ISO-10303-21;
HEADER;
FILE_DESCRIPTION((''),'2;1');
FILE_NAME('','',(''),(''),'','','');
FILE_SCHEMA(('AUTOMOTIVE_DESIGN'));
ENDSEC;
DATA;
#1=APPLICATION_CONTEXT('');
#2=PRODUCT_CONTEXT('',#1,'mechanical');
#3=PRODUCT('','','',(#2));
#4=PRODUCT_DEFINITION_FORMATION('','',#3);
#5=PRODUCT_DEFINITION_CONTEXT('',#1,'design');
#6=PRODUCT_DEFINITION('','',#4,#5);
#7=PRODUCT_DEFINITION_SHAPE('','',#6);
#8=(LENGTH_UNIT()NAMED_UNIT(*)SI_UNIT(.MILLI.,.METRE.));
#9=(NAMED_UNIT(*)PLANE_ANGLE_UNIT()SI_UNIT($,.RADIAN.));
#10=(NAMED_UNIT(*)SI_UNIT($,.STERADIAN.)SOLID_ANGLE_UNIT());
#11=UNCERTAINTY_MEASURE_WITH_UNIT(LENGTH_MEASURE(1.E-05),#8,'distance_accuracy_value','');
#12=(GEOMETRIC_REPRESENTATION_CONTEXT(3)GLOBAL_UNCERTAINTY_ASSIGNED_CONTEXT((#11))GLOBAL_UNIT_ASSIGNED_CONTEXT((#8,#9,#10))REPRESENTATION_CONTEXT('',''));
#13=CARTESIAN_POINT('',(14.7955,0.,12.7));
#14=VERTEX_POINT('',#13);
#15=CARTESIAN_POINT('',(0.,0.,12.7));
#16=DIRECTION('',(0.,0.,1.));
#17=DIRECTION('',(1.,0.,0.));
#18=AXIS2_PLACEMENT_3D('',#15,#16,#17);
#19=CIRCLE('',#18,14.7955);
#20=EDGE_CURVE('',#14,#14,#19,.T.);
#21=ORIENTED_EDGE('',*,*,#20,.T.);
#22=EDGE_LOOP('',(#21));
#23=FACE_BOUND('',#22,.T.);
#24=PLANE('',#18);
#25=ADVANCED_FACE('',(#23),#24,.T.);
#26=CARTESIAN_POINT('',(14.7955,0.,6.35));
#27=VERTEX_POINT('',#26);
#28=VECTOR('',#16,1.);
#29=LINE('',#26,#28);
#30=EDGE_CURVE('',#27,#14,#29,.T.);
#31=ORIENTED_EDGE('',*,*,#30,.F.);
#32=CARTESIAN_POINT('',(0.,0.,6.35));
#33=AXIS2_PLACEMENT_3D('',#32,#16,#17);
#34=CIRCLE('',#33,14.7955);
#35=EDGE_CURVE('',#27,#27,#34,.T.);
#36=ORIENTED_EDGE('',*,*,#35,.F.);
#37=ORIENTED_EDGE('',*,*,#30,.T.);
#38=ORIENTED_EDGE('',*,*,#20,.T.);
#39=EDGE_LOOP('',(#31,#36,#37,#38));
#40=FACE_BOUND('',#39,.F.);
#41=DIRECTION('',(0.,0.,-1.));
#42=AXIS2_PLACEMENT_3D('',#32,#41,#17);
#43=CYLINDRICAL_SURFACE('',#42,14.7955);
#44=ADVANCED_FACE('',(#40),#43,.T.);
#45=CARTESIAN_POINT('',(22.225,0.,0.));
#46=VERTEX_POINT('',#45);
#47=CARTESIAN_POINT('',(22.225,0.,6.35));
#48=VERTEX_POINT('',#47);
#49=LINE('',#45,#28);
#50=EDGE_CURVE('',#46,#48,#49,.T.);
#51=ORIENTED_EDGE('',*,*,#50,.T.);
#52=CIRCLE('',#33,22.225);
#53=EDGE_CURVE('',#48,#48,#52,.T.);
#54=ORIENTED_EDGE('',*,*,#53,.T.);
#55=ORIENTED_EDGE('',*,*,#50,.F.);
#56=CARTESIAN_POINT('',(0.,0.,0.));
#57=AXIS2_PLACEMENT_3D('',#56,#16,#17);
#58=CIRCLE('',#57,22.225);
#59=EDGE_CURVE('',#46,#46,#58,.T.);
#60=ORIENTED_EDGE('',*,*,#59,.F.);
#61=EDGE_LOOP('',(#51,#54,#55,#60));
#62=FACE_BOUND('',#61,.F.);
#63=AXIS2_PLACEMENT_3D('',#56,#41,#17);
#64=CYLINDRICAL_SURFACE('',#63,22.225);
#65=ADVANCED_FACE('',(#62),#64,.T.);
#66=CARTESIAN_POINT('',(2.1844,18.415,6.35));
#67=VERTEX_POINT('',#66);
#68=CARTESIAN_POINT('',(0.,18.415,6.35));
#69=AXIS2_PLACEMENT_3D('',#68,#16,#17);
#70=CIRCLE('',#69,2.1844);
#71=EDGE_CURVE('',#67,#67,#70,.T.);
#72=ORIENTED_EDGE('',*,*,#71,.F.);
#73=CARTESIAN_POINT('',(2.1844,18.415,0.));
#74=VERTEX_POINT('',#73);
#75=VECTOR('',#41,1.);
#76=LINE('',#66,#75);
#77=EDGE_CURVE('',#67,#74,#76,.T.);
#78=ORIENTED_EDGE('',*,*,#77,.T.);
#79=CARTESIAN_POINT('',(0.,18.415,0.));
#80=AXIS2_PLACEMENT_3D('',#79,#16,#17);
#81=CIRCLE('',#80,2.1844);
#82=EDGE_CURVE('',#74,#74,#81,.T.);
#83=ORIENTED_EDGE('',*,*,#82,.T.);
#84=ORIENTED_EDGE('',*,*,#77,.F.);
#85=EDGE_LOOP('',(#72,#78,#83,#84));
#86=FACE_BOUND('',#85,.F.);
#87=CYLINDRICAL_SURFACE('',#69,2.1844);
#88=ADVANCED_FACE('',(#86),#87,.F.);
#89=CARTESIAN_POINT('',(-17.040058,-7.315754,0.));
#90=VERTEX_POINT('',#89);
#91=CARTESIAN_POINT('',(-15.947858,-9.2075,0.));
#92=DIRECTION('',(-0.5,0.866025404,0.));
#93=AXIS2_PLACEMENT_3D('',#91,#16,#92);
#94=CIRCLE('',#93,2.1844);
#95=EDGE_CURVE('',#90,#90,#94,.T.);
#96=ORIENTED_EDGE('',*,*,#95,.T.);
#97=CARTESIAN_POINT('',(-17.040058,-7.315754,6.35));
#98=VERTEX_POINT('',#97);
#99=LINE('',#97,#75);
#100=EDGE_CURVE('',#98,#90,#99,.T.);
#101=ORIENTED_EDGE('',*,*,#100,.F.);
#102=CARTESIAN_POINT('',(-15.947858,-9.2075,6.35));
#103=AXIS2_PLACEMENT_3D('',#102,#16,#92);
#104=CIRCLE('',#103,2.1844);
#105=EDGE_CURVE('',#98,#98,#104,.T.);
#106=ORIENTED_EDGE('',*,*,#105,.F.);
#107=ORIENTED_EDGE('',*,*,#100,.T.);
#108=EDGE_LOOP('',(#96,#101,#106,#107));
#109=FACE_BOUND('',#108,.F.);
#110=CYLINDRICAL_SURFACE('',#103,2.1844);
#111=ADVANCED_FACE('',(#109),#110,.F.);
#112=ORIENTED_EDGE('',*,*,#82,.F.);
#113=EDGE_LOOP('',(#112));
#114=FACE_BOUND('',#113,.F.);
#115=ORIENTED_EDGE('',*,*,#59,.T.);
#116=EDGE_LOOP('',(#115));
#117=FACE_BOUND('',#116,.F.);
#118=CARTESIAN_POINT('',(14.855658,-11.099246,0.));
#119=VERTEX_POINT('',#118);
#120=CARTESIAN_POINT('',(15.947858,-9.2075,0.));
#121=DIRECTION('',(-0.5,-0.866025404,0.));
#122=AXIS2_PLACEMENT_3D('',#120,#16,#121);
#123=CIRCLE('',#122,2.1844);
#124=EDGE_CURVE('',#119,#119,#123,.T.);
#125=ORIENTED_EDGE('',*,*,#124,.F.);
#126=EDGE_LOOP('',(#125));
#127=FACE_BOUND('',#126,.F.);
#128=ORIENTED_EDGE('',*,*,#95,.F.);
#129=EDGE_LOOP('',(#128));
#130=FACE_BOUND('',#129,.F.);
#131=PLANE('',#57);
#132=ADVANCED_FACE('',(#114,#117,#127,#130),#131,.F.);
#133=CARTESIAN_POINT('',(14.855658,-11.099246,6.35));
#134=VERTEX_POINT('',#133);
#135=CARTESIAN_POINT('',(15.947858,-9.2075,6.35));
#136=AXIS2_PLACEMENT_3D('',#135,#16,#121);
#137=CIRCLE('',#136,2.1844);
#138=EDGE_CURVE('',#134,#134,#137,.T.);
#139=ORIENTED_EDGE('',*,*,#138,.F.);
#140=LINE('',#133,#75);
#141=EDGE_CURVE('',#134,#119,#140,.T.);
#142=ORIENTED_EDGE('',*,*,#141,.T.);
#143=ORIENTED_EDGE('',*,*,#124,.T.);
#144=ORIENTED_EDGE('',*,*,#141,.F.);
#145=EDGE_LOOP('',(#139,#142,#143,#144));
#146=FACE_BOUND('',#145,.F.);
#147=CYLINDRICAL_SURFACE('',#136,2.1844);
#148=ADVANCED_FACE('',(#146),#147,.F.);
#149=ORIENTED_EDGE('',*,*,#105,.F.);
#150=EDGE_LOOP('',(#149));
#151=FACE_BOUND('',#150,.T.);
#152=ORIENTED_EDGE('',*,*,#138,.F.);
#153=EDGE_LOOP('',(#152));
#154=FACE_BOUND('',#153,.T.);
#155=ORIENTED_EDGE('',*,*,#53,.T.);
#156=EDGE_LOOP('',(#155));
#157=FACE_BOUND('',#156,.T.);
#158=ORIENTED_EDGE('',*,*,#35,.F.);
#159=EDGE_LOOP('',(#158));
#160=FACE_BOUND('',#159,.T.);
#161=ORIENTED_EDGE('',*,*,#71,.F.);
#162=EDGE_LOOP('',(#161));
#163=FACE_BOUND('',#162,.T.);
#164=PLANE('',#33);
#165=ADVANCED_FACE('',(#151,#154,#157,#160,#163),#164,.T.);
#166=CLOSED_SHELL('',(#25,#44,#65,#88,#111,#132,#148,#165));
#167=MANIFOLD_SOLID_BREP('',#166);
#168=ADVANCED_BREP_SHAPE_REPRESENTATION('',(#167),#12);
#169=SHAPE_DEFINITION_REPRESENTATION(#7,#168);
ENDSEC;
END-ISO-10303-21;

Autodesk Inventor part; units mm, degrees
ref_plane "YZ Plane" through (0, 0, 0) normal (1, 0, 0) x (0, 1, 0)
ref_plane "XZ Plane" through (0, 0, 0) normal (0, 1, 0) x (-1, 0, 0)
ref_plane "XY Plane" through (0, 0, 0) normal (0, 0, 1) x (1, 0, 0)
sketch "Sketch1" plane through (0, 0, 0) normal (0, 0, 1) x (1, 0, 0)
  circle A0 centre (0, 0) radius 22.225
  dimension "d0" = 44.45
extrude "Extrusion1" add sketch "Sketch1" along normal blind 6.35
sketch "Sketch2" plane through (0, 0, 6.35) normal (0, 0, 1) x (1, 0, 0)
  circle A0 centre (0, 18.415) radius 2.1844
  point P0 (0, 0)
  dimension "d3" = 4.3688
  dimension "d4" = 18.415
extrude "Extrusion2" cut sketch "Sketch2" against normal blind 6.35
pattern_circular "Circular Pattern1" count 3 over 360 about axis through (0, 0, 0) along (0, 0, 1) of "Extrusion2"
sketch "Sketch3" plane through (0, 0, 6.35) normal (0, 0, 1) x (1, 0, 0)
  point P0 (0, 0)
sketch "Sketch4" plane through (0, 0, 6.35) normal (0, 0, 1) x (1, 0, 0)
  circle A0 centre (0, 0) radius 14.7955
  dimension "d10" = 29.591
extrude "Extrusion3" add sketch "Sketch4" along normal blind 6.35
properties part number "Gear Plate" material "Stainless Steel"
